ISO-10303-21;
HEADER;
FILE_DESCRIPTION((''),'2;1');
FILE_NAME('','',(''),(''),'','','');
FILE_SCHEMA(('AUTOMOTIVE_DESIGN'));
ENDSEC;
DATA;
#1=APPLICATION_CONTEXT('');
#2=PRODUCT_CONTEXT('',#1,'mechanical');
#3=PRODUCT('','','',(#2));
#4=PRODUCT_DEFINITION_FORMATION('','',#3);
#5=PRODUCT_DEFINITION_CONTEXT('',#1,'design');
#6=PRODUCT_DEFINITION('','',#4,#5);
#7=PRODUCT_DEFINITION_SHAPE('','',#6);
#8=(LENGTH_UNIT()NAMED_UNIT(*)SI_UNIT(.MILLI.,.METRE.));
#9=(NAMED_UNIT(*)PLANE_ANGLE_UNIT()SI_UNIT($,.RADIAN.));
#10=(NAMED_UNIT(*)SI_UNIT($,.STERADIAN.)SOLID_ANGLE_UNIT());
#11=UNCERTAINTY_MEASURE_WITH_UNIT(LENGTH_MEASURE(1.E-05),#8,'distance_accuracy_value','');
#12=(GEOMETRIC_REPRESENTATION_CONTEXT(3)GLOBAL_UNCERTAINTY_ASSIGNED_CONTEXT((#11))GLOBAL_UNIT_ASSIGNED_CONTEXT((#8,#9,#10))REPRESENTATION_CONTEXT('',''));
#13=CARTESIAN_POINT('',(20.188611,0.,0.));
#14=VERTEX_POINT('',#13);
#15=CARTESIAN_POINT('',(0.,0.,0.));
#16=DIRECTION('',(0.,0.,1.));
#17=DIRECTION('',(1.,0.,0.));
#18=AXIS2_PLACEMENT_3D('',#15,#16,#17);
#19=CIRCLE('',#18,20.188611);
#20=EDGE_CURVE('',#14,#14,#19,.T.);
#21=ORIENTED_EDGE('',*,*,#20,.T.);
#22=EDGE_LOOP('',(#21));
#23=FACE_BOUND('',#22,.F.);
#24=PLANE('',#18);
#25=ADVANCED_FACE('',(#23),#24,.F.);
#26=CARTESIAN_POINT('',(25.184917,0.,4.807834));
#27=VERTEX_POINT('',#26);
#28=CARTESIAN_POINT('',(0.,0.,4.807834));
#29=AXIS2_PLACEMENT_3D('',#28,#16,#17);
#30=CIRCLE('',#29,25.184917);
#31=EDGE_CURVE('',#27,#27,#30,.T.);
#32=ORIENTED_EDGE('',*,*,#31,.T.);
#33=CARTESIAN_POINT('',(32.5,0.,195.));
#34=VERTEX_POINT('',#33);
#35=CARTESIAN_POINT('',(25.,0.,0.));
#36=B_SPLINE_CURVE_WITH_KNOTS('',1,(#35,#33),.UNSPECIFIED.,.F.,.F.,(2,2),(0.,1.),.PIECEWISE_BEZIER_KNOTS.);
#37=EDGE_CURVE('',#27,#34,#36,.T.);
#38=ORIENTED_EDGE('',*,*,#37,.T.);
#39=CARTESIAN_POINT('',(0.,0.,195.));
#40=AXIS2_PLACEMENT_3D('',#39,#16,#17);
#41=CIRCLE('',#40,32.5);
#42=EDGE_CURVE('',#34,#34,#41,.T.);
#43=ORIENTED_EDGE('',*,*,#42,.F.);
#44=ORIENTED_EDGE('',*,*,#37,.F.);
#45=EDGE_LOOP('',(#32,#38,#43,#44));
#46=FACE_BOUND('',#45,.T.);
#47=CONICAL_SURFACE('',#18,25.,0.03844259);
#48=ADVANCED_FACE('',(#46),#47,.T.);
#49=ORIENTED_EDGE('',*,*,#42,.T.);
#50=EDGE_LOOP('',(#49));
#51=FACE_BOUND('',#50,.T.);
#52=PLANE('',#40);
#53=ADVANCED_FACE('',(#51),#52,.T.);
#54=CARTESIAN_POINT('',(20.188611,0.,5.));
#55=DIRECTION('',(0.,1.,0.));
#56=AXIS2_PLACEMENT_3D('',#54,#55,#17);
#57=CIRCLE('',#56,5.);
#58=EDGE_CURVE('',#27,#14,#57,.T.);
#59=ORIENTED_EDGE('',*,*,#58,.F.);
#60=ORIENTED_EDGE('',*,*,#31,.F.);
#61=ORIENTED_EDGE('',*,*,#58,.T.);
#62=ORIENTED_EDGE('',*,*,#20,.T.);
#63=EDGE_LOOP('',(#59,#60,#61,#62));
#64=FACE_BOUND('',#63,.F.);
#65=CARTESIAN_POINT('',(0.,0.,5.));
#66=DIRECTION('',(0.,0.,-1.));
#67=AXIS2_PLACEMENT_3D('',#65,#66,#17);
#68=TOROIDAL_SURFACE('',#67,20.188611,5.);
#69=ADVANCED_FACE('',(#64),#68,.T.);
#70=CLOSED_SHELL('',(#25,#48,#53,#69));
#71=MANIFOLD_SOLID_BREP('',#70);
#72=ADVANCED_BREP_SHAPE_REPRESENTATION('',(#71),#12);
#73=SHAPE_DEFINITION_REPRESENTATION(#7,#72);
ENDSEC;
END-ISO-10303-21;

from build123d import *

# Parameters (mm, degrees)
F0_R = 25
F2_R = 32.5
F4_R = 5


with BuildPart() as f3:
    # F0 (on Top) → F3 section 0
    with BuildSketch(Plane.XY):
        Circle(F0_R)
    # F2 (on offset) → F3 section 1
    with BuildSketch(Plane.XY.offset(195)):
        Circle(F2_R)
    loft()

    # F4
    f4_edges = [f3.edges().sort_by_distance(p)[0] for p in [
        (-25, 0, 0),
    ]]
    fillet(f4_edges, radius=F4_R)


solid = f3.part
